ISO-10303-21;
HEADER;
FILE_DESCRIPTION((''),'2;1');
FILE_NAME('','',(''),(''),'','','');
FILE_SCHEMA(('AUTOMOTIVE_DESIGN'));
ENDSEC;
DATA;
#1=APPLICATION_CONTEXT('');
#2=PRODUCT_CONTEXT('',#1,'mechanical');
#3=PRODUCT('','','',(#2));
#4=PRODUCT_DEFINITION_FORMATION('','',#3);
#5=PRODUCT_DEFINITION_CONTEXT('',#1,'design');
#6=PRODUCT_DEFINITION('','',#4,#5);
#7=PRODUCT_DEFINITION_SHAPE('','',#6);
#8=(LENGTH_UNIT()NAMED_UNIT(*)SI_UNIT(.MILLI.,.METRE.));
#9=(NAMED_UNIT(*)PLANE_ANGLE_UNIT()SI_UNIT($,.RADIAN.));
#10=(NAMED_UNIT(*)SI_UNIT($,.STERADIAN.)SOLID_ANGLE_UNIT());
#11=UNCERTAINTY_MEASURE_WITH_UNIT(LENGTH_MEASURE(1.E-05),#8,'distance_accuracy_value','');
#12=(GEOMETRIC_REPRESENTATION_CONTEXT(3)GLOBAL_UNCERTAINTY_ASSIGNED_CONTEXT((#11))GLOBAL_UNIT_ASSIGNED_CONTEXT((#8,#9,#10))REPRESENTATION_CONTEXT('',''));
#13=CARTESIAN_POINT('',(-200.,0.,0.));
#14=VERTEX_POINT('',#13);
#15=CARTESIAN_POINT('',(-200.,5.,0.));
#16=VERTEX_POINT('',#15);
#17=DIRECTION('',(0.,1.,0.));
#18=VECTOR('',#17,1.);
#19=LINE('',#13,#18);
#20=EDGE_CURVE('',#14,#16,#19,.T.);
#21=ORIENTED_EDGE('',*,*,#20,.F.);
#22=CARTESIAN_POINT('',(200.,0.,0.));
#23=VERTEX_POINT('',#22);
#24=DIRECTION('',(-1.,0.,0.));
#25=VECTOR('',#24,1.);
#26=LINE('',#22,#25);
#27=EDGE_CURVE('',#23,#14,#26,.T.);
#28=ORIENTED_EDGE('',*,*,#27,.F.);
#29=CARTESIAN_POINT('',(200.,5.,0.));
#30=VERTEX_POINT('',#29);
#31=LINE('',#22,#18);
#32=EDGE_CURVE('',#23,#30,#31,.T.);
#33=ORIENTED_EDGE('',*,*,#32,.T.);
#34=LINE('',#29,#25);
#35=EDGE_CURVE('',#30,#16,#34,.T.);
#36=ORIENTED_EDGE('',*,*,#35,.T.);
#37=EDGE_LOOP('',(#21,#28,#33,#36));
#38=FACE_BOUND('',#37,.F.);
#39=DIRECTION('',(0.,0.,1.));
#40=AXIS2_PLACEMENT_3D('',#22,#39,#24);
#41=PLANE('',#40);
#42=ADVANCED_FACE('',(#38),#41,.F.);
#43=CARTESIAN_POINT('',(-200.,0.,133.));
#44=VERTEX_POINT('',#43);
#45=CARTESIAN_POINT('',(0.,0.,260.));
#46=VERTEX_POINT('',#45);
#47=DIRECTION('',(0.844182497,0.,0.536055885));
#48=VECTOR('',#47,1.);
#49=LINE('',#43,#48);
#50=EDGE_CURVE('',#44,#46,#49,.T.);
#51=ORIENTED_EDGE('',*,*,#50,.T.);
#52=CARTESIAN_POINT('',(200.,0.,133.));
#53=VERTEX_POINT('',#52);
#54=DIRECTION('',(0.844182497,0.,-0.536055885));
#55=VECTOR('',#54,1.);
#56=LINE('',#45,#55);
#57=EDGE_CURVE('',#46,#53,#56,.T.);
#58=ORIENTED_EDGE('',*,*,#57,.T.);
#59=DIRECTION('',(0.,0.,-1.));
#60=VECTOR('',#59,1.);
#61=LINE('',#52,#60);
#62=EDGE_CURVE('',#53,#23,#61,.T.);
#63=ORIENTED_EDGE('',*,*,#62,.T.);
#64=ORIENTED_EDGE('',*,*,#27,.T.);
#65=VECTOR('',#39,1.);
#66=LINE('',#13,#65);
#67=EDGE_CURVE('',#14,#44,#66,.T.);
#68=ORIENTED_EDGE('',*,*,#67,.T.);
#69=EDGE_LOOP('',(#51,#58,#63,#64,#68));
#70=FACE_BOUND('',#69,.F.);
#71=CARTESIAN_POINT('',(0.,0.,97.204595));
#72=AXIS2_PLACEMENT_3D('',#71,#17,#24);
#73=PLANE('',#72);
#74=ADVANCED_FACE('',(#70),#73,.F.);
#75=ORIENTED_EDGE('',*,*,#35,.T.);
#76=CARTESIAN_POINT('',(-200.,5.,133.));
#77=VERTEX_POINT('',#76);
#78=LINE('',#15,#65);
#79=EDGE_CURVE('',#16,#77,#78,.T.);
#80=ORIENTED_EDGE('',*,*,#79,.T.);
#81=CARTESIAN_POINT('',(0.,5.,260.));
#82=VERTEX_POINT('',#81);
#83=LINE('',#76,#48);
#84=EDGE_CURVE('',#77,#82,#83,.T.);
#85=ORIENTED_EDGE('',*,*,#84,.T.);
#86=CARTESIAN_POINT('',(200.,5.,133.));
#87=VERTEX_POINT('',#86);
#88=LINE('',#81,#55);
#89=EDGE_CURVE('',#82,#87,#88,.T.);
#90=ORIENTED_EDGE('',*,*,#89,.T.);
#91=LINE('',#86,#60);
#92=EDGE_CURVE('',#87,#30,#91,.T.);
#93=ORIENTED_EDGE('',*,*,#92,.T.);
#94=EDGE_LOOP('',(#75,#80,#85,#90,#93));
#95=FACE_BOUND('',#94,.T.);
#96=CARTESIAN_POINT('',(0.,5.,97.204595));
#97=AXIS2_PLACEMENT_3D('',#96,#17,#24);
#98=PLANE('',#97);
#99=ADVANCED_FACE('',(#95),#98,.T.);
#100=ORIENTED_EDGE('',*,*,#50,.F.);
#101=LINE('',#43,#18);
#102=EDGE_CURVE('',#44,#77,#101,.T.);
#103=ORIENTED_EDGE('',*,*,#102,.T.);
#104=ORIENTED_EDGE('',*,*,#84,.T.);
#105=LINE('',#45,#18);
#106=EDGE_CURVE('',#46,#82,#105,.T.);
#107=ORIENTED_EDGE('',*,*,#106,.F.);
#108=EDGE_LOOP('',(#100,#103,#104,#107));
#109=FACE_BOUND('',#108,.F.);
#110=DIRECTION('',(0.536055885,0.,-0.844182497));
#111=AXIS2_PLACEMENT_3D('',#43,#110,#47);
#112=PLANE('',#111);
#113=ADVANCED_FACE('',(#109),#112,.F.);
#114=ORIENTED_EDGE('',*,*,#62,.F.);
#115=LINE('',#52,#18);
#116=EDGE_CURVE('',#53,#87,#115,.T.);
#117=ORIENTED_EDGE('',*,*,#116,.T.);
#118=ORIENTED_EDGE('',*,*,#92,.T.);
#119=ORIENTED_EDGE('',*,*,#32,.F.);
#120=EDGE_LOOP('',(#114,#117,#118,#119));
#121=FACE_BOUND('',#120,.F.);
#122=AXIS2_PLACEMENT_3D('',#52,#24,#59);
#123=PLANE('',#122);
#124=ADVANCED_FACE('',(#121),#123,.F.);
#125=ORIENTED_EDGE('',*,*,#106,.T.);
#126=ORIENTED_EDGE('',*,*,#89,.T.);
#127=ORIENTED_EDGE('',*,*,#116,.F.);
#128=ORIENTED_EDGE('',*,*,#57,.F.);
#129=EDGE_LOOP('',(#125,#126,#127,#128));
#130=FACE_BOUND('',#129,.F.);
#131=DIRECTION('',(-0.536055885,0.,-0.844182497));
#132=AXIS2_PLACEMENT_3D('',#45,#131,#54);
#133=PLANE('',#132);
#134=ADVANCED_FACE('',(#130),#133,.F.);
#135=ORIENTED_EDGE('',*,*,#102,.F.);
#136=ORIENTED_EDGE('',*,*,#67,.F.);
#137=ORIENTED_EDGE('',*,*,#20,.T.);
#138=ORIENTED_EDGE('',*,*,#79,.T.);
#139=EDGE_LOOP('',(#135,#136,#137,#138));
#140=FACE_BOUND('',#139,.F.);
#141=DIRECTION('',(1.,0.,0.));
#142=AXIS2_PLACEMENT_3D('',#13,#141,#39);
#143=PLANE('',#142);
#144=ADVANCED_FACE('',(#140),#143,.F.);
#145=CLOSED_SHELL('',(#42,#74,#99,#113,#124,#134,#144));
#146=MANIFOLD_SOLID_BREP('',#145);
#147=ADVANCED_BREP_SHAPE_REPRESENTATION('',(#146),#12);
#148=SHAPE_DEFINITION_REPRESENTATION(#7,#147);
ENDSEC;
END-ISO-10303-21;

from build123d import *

# Parameters (mm, degrees)
PAD_DEPTH = 5


with BuildPart() as part:
    # Sketch → Pad (new body)
    with BuildSketch(Plane(origin=(0, 0, 0), x_dir=(-1, 0, 0), z_dir=(0, 1, 0))):
        Polygon((200, 0), (200, 133), (0, 260), (-200, 133), (-200, 0), align=None)
    extrude(amount=PAD_DEPTH)


solid = part.part
